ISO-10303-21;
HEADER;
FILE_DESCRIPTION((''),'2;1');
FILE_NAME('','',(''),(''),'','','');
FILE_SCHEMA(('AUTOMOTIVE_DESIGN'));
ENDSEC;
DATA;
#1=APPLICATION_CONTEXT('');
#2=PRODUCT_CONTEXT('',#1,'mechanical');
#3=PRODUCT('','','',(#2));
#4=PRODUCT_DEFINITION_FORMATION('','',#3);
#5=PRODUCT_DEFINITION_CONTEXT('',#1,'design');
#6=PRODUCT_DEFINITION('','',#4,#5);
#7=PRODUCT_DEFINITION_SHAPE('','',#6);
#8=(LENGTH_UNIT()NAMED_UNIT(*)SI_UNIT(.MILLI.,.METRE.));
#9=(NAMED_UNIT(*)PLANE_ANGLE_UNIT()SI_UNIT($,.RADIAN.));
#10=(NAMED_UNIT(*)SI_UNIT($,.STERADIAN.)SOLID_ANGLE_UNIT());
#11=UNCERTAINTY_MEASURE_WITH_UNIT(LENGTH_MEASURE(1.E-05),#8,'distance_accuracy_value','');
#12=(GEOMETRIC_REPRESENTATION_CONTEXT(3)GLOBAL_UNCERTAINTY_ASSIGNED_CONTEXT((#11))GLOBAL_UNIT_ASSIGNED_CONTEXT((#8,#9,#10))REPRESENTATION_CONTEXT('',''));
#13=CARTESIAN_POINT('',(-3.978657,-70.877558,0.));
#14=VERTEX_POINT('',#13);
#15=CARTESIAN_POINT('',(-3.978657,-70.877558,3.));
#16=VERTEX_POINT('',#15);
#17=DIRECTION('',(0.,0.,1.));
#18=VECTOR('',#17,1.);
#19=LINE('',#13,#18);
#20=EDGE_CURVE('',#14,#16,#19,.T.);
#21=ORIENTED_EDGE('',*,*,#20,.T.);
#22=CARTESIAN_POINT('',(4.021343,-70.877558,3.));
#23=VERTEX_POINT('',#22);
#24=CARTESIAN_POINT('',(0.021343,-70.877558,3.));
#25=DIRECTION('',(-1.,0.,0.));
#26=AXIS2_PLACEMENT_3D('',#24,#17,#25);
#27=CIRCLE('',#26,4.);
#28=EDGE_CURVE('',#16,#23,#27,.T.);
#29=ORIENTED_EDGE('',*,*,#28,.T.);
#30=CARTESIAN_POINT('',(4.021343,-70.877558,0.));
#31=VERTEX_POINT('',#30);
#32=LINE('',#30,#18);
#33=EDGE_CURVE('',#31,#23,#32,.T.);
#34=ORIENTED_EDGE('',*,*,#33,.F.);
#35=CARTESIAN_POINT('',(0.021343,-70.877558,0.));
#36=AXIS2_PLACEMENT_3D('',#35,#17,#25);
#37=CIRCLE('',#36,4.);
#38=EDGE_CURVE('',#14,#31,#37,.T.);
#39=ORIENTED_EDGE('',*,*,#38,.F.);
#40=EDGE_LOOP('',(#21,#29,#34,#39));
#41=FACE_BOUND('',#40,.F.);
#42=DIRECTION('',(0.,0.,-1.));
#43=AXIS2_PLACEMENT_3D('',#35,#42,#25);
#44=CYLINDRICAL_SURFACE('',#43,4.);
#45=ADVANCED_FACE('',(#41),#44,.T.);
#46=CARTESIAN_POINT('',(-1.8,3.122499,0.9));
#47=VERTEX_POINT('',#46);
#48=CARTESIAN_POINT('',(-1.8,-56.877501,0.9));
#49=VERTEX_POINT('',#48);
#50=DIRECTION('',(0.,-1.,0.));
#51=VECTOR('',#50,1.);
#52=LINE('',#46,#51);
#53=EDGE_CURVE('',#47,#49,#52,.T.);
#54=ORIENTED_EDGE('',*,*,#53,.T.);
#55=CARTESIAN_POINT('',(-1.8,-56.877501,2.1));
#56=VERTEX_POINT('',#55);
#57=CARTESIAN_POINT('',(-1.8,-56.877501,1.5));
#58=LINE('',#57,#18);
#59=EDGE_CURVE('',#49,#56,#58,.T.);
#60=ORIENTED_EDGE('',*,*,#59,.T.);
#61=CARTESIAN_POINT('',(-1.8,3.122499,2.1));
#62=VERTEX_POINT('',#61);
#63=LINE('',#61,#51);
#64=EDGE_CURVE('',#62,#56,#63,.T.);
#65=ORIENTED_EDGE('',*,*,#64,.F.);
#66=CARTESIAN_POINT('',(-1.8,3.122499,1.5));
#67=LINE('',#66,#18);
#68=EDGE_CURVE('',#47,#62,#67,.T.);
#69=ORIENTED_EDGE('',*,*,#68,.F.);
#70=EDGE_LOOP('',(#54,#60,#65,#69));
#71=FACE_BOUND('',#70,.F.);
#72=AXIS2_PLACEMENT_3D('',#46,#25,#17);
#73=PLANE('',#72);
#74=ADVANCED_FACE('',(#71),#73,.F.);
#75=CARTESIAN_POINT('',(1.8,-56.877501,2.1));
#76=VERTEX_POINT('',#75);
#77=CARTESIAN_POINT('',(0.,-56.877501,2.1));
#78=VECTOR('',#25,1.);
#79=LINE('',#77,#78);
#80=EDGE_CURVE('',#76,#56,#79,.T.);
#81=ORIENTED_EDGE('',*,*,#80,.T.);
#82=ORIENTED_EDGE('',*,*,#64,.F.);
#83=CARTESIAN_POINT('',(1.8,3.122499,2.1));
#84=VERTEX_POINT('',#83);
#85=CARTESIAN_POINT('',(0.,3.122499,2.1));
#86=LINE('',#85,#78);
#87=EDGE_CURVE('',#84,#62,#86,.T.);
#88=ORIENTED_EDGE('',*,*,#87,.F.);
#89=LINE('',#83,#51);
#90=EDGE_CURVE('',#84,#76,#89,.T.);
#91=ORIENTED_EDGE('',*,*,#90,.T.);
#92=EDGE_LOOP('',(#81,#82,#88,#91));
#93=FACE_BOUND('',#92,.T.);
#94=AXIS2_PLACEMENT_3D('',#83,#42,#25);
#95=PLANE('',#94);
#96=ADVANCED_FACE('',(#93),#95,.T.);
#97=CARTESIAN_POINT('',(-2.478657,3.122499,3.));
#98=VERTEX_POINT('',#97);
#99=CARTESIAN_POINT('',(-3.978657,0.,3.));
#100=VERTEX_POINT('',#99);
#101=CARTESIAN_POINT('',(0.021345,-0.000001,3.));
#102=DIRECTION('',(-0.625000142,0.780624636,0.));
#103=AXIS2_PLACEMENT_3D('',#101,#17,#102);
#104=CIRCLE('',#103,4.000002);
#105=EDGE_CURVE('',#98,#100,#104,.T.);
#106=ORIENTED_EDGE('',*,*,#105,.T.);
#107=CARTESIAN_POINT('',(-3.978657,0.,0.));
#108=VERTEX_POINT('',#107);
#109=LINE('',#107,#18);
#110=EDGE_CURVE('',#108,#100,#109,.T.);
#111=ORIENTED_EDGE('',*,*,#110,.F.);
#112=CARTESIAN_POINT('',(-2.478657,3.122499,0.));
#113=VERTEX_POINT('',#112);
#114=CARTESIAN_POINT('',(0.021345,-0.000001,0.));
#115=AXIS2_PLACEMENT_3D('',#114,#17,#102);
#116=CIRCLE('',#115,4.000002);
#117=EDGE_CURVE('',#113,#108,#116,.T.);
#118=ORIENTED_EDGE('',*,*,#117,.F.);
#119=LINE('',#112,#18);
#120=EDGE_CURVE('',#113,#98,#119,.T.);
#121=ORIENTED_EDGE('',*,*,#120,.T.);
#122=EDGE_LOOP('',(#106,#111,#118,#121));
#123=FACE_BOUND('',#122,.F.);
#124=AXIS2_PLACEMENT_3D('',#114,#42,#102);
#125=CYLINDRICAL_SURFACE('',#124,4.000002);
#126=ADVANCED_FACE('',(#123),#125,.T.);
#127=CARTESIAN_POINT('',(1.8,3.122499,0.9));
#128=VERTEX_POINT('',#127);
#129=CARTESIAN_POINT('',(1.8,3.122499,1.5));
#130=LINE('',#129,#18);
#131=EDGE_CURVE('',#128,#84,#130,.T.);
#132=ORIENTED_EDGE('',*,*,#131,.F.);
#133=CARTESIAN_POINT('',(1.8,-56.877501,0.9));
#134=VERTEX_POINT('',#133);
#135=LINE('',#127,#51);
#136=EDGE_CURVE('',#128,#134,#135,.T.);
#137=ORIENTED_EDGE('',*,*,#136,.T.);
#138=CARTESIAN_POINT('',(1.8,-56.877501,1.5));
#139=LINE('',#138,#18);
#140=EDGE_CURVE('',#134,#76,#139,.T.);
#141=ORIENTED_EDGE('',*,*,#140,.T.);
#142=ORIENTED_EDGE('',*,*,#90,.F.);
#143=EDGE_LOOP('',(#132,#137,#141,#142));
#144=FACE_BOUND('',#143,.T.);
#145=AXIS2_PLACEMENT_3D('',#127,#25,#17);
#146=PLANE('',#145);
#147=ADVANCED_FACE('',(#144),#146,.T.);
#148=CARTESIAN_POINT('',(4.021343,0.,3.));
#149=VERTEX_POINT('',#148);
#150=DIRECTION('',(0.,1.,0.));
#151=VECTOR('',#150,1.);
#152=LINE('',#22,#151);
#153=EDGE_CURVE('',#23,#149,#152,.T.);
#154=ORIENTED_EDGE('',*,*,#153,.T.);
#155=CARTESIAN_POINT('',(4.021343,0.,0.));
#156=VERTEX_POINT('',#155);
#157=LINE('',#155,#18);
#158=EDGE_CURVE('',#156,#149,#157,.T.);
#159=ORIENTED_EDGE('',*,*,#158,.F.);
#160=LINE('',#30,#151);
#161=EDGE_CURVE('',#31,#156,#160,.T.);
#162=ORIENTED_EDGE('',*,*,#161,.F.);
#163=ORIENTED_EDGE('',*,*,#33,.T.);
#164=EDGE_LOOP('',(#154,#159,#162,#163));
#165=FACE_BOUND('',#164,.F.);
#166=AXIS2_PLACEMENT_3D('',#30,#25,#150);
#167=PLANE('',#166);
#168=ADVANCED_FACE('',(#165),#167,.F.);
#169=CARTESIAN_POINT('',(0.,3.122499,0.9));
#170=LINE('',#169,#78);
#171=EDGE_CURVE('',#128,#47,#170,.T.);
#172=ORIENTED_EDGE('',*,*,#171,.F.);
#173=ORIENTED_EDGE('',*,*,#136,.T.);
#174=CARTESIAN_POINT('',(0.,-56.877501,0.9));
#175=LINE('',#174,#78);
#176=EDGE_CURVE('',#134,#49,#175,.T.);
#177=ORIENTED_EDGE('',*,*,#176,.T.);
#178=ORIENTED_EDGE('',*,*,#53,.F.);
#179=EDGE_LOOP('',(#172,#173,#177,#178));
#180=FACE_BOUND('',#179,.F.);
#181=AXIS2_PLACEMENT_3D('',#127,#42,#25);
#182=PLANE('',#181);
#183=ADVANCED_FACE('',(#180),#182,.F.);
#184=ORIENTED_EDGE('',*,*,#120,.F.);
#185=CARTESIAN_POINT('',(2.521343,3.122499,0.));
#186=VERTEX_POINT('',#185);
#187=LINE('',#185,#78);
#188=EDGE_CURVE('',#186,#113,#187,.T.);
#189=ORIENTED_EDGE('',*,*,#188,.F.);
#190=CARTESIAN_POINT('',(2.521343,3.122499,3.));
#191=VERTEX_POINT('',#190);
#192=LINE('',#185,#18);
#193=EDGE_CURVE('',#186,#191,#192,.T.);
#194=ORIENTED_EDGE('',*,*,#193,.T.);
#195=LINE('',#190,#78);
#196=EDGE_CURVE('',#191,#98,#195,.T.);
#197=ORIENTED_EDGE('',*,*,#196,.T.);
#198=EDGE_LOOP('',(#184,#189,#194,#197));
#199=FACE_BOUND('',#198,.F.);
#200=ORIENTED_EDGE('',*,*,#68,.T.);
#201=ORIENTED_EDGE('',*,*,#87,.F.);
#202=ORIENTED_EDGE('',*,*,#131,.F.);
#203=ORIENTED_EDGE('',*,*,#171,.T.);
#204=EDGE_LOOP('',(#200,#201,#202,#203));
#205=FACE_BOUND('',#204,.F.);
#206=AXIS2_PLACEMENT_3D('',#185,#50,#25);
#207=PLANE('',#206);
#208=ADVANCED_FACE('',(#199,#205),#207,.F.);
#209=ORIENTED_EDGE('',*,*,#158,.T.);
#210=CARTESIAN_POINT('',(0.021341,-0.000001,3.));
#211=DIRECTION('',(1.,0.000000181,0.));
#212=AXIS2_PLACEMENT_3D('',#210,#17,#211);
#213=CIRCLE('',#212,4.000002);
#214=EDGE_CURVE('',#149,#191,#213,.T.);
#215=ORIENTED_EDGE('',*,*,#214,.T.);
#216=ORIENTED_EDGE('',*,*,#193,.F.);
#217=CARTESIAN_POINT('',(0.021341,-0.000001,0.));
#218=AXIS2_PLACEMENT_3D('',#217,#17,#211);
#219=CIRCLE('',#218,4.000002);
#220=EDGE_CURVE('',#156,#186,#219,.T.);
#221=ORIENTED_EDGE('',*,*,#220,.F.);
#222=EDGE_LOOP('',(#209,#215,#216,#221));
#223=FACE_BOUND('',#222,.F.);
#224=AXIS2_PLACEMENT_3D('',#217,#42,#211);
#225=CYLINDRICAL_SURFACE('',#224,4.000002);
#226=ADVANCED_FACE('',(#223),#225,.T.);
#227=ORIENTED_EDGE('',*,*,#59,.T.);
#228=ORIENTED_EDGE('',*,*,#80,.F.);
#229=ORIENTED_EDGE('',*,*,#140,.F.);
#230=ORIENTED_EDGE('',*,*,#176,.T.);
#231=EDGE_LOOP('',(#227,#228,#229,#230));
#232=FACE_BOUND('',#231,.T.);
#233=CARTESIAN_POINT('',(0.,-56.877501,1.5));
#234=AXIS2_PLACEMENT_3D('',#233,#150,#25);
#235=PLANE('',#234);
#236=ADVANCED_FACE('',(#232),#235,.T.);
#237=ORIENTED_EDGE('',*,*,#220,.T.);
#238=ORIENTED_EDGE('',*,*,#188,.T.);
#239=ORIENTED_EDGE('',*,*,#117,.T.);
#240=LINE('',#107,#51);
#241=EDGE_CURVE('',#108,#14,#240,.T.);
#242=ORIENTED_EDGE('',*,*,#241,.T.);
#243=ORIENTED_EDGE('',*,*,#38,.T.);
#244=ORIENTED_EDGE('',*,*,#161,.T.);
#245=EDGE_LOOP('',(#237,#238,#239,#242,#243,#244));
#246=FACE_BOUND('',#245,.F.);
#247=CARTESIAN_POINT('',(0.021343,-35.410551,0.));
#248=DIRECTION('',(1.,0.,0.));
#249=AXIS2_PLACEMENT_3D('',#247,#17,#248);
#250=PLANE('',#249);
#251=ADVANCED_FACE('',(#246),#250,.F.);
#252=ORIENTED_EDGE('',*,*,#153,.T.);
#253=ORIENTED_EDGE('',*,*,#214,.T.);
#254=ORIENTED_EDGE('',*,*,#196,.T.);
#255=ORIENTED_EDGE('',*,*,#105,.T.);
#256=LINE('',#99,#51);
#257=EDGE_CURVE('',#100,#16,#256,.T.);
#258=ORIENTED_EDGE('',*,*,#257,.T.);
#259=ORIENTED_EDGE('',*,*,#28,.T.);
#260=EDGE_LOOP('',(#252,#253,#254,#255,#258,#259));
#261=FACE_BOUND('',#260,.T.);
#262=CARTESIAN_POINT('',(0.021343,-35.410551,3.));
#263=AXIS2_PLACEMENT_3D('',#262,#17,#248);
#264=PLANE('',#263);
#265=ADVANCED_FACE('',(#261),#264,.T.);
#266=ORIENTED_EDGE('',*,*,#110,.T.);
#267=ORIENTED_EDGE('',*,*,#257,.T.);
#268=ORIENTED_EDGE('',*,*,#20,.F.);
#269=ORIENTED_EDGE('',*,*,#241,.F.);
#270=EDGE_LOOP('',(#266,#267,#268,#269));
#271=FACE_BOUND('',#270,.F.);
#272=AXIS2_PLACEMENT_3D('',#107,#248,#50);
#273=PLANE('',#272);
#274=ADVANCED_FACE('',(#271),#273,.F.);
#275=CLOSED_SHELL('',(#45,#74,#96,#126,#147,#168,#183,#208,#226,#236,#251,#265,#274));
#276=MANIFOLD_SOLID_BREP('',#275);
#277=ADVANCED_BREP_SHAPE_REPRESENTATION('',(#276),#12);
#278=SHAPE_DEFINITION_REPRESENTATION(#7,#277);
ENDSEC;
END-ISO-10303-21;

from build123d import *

# Parameters (mm, degrees)
F1_DEPTH = 3
F2_W     = 3.6
F2_H     = 1.2
F3_DEPTH = 60


with BuildPart() as f1:
    # F0 (on Top) → F1 (new body)
    with BuildSketch(Plane.XY):
        with BuildLine():
            Line((4.021343, -70.877558), (4.021343, 0))
            ThreePointArc((4.021343, 0), (3.626894, 1.732051), (2.521343, 3.122499))
            Line((2.521343, 3.122499), (-2.478657, 3.122499))
            ThreePointArc((-2.478657, 3.122499), (-3.584208, 1.732051), (-3.978657, 0))
            Line((-3.978657, 0), (-3.978657, -70.877558))
            ThreePointArc((-3.978657, -70.877558), (0.021343, -74.877558), (4.021343, -70.877558))
        make_face()
    extrude(amount=F1_DEPTH)

    # F2 (on face) → F3 (cut)
    with BuildSketch(Plane(origin=(0, 3.122499, 0), x_dir=(-1, 0, 0), z_dir=(0, 1, 0))):
        with Locations((0, 1.5)):
            Rectangle(F2_W, F2_H)
    extrude(amount=-F3_DEPTH, mode=Mode.SUBTRACT)


solid = f1.part
